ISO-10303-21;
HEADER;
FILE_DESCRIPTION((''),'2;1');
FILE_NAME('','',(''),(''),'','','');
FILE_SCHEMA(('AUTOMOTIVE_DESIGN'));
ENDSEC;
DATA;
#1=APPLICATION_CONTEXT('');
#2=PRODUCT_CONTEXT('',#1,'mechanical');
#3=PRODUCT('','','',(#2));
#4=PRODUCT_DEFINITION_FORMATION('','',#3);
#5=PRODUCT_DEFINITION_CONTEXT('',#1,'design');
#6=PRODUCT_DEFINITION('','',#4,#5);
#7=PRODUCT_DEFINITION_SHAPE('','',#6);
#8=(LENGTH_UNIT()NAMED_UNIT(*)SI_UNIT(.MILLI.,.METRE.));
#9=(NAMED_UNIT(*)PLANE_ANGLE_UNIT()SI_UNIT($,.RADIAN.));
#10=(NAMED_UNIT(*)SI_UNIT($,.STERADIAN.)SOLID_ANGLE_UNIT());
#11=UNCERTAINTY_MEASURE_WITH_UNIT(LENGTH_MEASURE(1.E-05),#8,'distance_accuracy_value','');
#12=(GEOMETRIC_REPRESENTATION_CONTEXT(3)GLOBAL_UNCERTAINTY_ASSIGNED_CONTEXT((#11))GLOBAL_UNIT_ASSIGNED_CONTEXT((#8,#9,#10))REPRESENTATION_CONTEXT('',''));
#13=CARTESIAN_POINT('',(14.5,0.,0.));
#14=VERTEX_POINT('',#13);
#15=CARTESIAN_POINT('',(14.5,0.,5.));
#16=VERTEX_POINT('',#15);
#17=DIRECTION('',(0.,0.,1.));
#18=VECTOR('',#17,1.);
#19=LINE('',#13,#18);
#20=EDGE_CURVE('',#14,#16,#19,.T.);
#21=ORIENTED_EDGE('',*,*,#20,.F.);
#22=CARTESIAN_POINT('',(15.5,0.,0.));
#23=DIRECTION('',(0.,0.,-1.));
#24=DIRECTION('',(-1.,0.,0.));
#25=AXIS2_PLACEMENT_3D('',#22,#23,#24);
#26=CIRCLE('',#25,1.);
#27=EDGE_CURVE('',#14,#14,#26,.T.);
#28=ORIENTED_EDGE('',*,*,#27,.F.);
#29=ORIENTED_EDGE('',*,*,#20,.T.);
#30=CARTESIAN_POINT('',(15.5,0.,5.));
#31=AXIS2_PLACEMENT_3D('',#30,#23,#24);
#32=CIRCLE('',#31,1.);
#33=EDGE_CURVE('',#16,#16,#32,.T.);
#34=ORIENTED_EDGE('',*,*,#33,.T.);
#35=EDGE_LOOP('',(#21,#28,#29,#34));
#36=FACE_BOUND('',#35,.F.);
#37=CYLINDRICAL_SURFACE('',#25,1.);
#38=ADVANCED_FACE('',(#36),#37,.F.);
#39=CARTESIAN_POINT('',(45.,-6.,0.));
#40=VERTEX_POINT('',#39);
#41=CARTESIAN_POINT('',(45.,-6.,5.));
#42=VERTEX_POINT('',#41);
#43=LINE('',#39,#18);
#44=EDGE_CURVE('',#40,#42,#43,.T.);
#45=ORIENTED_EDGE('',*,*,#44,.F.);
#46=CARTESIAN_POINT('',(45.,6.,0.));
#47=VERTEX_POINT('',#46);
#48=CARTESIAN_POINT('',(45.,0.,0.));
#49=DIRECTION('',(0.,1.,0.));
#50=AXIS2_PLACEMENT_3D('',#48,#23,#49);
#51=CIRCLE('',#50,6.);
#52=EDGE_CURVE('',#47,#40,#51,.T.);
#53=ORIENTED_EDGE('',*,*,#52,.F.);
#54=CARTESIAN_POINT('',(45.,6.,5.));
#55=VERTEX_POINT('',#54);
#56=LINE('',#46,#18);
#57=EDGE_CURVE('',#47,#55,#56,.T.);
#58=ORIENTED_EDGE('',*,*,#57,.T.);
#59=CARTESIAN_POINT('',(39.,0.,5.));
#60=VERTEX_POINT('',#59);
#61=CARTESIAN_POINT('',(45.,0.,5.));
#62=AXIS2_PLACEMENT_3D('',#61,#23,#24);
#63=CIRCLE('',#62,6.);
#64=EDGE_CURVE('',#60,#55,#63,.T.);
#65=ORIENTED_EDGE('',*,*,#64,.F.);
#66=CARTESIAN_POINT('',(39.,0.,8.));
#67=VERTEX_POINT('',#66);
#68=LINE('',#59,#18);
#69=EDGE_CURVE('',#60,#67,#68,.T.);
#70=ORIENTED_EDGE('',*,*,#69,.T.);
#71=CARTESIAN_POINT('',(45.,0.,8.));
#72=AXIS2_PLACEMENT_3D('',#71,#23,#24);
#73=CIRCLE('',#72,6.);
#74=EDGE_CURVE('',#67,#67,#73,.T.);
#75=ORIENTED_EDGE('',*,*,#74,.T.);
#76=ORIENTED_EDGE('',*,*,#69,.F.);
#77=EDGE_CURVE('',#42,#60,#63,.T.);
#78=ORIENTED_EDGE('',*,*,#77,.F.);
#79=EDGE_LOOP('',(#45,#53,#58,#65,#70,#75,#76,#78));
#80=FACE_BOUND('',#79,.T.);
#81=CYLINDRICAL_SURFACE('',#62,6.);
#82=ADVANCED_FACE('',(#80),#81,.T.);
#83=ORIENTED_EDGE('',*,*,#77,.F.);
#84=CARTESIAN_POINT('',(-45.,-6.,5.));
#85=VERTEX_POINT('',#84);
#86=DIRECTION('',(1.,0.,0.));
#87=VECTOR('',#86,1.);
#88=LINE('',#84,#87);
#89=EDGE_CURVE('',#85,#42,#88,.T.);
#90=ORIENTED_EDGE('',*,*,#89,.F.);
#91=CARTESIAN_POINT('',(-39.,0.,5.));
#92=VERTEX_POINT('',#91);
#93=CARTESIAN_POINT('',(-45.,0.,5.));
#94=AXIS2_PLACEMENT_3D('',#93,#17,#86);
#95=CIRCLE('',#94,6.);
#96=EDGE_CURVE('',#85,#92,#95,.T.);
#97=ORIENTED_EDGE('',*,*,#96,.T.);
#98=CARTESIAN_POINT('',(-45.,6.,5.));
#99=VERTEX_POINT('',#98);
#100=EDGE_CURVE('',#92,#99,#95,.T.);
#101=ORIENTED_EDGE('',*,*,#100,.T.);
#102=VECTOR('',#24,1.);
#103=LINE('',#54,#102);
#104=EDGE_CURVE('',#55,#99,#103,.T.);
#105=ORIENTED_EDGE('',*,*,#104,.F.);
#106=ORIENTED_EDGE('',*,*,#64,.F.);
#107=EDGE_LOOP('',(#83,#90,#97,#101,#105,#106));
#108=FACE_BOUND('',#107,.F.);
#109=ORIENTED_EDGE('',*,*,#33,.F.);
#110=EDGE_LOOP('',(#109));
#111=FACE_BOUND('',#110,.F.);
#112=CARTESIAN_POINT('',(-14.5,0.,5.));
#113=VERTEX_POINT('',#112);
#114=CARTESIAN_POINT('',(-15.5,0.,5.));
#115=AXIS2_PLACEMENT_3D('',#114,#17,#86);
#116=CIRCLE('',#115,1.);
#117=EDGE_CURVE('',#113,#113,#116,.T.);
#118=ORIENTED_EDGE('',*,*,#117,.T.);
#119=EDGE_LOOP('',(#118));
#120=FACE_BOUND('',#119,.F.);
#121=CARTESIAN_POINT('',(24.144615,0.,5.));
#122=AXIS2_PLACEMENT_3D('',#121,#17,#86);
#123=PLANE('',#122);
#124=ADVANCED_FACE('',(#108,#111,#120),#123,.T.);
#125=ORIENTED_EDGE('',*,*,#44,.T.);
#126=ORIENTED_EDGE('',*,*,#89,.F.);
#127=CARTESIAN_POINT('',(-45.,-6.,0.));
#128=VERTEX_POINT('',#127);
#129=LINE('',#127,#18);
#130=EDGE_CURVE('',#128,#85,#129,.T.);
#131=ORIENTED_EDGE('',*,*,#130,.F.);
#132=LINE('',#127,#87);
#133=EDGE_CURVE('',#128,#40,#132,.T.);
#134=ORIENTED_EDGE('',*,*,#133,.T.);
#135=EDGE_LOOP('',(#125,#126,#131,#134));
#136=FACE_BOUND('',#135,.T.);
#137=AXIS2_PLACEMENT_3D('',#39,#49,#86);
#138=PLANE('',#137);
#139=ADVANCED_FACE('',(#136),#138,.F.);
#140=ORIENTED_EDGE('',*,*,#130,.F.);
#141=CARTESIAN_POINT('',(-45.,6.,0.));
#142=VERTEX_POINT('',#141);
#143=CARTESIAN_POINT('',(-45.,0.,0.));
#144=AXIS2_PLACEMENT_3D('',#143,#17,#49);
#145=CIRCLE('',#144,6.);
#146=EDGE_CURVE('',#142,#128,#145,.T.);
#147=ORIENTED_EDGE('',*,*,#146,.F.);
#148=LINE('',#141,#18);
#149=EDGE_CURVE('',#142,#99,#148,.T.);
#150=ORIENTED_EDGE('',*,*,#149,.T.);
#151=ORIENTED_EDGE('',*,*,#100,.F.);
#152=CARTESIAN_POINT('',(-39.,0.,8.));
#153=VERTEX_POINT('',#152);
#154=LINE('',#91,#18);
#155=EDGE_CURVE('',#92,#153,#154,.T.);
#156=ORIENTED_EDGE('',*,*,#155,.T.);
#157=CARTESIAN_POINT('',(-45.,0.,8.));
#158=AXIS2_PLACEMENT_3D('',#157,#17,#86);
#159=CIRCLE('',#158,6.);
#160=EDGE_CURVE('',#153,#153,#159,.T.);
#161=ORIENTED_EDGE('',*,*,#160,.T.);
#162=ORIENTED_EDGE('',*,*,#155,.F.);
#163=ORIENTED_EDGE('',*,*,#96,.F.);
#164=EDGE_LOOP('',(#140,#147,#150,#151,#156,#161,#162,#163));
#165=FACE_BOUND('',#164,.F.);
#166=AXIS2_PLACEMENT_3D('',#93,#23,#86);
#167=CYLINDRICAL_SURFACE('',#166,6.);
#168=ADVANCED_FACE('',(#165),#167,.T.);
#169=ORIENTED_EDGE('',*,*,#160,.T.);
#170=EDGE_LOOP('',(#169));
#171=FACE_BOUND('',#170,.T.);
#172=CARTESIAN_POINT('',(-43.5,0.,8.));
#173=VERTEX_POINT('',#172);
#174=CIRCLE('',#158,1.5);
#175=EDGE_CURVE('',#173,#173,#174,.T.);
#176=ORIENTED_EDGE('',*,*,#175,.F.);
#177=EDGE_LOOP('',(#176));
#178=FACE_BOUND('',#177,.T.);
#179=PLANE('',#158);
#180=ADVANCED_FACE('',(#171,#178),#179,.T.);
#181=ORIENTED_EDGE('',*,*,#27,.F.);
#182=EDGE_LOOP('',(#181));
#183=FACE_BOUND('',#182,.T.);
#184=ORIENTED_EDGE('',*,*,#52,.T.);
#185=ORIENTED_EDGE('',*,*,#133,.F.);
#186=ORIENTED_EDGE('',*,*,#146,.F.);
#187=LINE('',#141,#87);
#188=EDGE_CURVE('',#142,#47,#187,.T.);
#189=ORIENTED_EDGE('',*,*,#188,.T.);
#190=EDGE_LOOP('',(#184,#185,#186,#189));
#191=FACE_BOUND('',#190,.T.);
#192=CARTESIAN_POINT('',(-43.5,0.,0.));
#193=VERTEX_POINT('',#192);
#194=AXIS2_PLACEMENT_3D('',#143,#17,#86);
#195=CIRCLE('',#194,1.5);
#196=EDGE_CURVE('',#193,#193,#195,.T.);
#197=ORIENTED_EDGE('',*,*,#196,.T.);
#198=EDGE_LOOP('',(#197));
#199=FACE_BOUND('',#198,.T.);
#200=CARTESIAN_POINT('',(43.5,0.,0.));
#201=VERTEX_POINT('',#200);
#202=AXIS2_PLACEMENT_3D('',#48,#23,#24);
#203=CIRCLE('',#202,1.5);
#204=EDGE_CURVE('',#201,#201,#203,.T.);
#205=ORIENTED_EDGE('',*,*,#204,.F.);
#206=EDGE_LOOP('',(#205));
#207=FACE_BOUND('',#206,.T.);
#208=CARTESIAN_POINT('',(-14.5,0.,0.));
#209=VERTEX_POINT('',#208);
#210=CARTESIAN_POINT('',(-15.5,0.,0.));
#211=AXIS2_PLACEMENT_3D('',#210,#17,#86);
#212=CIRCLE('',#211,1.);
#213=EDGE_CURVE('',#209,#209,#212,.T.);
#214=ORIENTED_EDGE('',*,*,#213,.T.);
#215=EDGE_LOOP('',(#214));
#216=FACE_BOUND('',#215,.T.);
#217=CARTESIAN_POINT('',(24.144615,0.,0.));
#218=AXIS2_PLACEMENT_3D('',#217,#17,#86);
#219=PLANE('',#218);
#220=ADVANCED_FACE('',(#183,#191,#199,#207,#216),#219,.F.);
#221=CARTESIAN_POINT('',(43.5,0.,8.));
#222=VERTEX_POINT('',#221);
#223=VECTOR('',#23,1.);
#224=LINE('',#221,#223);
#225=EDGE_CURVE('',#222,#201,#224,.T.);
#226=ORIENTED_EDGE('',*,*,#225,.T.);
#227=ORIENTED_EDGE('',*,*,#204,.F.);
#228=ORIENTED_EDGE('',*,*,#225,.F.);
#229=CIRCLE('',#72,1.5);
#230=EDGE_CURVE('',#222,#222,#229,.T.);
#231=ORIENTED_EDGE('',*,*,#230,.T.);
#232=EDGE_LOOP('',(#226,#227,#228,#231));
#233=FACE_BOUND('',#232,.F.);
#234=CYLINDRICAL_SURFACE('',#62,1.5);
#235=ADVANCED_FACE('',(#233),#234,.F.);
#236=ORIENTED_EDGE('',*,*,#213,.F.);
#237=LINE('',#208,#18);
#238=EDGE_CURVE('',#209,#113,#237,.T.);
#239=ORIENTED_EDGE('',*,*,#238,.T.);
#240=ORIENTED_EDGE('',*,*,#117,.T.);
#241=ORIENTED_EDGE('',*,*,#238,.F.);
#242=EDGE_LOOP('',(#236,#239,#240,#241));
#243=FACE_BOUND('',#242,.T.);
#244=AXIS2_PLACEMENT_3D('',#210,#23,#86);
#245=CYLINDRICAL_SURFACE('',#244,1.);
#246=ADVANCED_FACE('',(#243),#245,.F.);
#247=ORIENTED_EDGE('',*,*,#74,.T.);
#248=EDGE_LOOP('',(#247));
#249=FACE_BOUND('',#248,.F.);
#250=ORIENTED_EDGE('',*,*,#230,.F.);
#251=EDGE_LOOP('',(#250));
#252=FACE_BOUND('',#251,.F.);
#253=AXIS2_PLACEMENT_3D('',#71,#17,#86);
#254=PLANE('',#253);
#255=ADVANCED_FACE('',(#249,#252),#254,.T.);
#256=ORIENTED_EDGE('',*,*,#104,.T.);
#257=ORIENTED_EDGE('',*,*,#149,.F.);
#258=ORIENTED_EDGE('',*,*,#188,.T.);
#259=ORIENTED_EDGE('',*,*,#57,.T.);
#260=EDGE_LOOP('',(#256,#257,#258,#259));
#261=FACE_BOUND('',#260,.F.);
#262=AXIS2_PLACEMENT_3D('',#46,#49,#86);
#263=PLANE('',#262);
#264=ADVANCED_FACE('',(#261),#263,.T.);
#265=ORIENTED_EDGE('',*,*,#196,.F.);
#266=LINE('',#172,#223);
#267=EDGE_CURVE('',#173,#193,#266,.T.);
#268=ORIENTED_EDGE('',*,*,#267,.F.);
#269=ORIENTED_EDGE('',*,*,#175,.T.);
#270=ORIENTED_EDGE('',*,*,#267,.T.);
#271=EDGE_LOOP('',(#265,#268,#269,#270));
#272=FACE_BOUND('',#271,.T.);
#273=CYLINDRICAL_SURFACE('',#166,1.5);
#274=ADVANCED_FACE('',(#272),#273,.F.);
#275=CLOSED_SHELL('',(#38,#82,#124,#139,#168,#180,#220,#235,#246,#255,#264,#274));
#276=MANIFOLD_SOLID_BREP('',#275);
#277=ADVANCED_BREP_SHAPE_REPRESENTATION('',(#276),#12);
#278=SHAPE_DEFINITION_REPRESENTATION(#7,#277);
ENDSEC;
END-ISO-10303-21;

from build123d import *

# Parameters (mm, degrees)
SKETCH_R      = 1.5
SKETCH_R_2    = 1
PAD_DEPTH     = 5
SKETCH001_R   = 6
SKETCH001_R_2 = 1.5
PAD001_DEPTH  = 3


with BuildPart() as part:
    # Sketch → Pad (new body)
    with BuildSketch(Plane.XY):
        with BuildLine():
            ThreePointArc((-45, 6), (-51, 0), (-45, -6))
            Line((-45, -6), (0, -6))
            Line((0, -6), (0, 6))
            Line((-45, 6), (0, 6))
        make_face()
        with Locations((-45, 0)):
            Circle(SKETCH_R, mode=Mode.SUBTRACT)
        with Locations((-15.5, 0)):
            Circle(SKETCH_R_2, mode=Mode.SUBTRACT)
    extrude(amount=PAD_DEPTH)

    # Sketch001 (on Face8 of Pad) → Pad001 (join)
    with BuildSketch(Plane.XY.offset(5)):
        with Locations((-45, 0)):
            Circle(SKETCH001_R)
        with Locations((-45, 0)):
            Circle(SKETCH001_R_2, mode=Mode.SUBTRACT)
    extrude(amount=PAD001_DEPTH)

    # Mirrored: part across Sketch001 V_Axis


with BuildPart() as part_1:
    add(part.part)
    add(part.part.mirror(Plane(origin=(0, 0, 5), x_dir=(0, 0, 1), z_dir=(1, 0, 0))))


solid = part_1.part
